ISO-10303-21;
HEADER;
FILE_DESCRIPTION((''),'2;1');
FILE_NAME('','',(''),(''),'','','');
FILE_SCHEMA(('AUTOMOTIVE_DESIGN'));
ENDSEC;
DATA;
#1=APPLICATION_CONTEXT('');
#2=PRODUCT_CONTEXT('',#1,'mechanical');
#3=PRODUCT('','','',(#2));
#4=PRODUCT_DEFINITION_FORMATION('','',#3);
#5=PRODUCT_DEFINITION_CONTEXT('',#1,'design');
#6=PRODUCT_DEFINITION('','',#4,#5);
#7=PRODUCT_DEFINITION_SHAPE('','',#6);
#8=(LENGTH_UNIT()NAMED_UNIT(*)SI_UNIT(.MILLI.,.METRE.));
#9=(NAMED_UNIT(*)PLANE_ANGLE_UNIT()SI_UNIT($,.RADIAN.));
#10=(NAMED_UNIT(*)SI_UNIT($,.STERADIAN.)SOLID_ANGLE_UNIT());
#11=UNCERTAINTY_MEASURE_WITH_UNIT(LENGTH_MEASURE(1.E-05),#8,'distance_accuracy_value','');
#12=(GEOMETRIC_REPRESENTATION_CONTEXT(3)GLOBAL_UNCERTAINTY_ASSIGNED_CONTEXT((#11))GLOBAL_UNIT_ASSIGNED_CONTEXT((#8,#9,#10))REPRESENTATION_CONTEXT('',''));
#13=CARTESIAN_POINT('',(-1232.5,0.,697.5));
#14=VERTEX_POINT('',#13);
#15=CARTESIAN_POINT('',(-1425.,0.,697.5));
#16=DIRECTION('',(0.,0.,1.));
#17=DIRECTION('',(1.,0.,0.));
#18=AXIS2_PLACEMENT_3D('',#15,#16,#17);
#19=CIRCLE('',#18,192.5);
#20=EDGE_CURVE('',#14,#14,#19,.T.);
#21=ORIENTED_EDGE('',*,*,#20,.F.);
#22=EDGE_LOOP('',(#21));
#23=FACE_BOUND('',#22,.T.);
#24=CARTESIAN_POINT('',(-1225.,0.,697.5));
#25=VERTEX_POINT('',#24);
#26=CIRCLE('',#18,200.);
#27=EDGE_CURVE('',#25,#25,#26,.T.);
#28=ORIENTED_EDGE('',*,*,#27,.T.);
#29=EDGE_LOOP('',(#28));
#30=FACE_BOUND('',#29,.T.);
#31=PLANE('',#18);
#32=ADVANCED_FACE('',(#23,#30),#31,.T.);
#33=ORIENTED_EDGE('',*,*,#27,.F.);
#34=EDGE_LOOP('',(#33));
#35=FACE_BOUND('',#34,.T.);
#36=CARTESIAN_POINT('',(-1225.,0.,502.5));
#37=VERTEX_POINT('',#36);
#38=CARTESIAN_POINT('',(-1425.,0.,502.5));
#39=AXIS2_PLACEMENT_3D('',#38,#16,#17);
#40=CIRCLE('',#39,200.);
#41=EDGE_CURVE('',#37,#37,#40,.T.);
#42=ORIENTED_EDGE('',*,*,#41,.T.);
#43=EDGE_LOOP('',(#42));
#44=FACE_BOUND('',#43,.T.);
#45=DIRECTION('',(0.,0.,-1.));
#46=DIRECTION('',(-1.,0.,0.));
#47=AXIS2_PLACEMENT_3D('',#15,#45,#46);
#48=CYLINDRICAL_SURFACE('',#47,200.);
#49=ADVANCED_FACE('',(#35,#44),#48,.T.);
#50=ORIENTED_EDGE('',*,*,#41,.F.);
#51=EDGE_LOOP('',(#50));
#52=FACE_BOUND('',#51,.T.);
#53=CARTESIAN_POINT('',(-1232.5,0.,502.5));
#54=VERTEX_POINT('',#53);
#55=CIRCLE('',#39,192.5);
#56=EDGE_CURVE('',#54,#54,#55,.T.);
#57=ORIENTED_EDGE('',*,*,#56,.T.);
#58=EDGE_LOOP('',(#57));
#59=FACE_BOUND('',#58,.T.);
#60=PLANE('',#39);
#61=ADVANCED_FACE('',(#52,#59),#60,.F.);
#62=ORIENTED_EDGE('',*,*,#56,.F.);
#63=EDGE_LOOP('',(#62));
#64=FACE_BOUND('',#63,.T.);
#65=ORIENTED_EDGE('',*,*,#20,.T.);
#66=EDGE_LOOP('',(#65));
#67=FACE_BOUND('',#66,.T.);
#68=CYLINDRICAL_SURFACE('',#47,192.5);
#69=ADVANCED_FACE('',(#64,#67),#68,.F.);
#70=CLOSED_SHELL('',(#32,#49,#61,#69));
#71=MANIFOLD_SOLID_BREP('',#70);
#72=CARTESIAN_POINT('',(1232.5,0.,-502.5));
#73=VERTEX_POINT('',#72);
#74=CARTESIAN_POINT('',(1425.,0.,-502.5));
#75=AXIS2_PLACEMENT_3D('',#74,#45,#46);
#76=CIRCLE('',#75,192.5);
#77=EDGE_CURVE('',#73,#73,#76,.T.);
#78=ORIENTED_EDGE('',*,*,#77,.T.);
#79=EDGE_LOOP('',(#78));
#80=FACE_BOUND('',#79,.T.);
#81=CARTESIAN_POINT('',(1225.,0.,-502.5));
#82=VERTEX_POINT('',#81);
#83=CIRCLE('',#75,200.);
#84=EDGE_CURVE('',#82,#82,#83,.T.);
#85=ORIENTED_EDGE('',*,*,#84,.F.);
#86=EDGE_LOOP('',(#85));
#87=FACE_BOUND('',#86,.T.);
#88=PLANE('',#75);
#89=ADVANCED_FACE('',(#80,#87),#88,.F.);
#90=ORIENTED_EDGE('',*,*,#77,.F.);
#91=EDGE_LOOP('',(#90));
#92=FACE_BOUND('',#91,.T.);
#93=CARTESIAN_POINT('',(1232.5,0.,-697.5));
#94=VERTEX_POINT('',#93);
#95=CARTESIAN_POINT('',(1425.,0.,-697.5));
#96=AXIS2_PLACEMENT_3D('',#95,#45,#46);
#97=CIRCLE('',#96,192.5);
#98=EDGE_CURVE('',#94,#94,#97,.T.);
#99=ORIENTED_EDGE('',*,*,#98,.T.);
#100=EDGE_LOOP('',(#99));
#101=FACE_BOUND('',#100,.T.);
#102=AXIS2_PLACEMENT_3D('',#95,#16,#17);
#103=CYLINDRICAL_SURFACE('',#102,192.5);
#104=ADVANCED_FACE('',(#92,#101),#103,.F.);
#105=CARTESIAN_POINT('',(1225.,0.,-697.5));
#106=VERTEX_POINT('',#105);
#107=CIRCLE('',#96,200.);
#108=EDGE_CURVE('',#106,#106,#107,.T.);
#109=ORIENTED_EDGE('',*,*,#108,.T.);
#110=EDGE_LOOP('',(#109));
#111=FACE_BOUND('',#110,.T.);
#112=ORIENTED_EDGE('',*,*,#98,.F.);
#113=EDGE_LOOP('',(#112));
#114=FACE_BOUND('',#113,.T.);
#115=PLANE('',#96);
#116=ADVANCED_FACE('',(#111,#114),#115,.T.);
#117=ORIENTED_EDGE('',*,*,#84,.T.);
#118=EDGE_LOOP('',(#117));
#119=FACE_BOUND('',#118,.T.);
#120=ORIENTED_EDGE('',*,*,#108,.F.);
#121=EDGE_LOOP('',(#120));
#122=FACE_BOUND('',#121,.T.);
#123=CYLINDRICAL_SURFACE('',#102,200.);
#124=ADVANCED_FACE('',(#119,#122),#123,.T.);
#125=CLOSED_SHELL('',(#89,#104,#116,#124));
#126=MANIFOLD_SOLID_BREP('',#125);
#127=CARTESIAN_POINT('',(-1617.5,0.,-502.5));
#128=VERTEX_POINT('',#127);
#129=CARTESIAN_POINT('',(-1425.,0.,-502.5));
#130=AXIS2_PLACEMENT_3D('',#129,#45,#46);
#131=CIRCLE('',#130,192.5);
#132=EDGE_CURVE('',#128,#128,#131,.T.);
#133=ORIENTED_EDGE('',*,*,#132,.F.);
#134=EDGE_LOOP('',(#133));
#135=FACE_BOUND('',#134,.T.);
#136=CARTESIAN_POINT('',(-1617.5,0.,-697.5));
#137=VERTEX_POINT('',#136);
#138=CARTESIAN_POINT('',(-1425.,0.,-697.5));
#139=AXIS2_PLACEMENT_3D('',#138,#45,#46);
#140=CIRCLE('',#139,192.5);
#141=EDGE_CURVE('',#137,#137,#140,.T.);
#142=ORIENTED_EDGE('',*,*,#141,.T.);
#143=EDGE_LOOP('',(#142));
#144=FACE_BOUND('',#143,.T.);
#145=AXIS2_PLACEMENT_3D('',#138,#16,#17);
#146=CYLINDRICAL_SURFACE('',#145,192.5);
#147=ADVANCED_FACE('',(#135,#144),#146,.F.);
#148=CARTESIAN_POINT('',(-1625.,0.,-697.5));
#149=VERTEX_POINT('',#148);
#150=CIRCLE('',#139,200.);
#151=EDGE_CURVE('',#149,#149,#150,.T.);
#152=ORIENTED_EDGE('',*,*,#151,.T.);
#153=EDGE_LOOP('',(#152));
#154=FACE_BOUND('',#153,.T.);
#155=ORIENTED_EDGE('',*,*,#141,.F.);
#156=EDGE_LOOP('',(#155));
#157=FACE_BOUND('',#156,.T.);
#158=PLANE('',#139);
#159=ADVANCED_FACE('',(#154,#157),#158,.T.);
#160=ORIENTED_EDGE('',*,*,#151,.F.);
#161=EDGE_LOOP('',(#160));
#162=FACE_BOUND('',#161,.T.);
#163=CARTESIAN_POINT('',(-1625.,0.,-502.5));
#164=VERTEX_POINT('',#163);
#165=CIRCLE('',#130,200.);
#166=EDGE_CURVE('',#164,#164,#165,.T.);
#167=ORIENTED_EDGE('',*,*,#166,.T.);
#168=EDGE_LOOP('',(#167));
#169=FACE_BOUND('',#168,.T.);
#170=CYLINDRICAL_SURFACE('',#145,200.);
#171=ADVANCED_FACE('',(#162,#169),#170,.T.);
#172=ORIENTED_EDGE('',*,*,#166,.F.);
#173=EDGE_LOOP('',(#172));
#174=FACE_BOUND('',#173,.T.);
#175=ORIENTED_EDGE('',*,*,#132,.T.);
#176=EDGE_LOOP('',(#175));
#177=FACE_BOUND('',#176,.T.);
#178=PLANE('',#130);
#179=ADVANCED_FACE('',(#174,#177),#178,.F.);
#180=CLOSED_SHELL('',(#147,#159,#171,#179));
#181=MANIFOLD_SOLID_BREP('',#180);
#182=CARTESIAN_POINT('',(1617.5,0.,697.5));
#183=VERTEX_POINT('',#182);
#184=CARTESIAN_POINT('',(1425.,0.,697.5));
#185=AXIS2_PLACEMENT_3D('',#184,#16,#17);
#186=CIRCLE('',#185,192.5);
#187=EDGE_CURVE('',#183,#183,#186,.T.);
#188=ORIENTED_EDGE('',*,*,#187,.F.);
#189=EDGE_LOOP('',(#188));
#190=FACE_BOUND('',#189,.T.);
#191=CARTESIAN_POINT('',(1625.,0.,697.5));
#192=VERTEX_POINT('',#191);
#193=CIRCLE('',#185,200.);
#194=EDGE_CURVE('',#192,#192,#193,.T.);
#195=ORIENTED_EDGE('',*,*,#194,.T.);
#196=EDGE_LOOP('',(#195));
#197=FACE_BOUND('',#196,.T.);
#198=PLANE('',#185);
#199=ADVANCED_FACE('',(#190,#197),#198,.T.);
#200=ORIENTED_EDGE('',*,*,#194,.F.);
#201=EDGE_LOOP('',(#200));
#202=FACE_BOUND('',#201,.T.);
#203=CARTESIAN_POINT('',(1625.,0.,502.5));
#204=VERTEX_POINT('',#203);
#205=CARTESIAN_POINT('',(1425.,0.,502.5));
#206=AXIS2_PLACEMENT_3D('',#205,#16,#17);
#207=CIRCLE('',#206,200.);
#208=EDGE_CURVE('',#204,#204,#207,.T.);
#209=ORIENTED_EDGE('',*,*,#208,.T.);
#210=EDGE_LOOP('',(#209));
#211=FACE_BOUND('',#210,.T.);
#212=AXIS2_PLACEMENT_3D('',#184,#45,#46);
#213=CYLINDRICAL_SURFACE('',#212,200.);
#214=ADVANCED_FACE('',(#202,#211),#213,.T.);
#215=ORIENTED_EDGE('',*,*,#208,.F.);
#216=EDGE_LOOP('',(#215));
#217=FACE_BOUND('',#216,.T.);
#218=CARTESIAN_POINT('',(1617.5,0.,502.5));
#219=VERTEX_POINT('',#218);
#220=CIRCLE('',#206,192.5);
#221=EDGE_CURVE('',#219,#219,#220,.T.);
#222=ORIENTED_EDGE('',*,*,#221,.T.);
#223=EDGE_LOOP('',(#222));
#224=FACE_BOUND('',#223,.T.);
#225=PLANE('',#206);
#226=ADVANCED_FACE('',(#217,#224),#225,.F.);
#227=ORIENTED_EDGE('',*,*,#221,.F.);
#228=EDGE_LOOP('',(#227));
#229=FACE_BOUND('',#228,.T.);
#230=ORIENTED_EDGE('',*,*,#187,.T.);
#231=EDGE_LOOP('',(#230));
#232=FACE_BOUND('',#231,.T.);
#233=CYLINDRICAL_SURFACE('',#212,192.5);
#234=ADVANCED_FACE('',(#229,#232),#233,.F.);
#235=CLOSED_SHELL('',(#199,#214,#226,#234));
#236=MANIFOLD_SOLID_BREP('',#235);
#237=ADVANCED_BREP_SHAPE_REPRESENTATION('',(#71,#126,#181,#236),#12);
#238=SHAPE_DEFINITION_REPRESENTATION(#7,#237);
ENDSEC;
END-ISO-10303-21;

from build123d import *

# Parameters (mm, degrees)
SKETCH3_R             = 200
SKETCH3_R_2           = 192.5
BOSS_EXTRUDE1_DEPTH   = 97.5
BOSS_EXTRUDE1_2_DEPTH = 97.5
SKETCH5_R             = 200
SKETCH5_R_2           = 192.5
BOSS_EXTRUDE2_DEPTH   = 97.5
BOSS_EXTRUDE2_2_DEPTH = 97.5


with BuildPart() as part:
    # Sketch3 → Boss-Extrude1 (new body, symmetric)
    with BuildSketch(Plane.XY.offset(600)):
        with Locations((-1425, 0)):
            Circle(SKETCH3_R)
        with Locations((-1425, 0)):
            Circle(SKETCH3_R_2, mode=Mode.SUBTRACT)
    extrude(amount=BOSS_EXTRUDE1_DEPTH, both=True)


with BuildPart() as body_2:
    # Sketch3 → Boss-Extrude1 2 (new body, symmetric)
    with BuildSketch(Plane.XY.offset(600)):
        with Locations((1425, 0)):
            Circle(SKETCH3_R)
        with Locations((1425, 0)):
            Circle(SKETCH3_R_2, mode=Mode.SUBTRACT)
    extrude(amount=BOSS_EXTRUDE1_2_DEPTH, both=True)


with BuildPart() as body_3:
    # Sketch5 → Boss-Extrude2 (new body, symmetric)
    with BuildSketch(Plane(origin=(0, 0, -600), x_dir=(-1, 0, 0), z_dir=(0, 0, -1))):
        with Locations((-1425, 0)):
            Circle(SKETCH5_R)
        with Locations((-1425, 0)):
            Circle(SKETCH5_R_2, mode=Mode.SUBTRACT)
    extrude(amount=BOSS_EXTRUDE2_DEPTH, both=True)


with BuildPart() as body_4:
    # Sketch5 → Boss-Extrude2 2 (new body, symmetric)
    with BuildSketch(Plane(origin=(0, 0, -600), x_dir=(-1, 0, 0), z_dir=(0, 0, -1))):
        with Locations((1425, 0)):
            Circle(SKETCH5_R)
        with Locations((1425, 0)):
            Circle(SKETCH5_R_2, mode=Mode.SUBTRACT)
    extrude(amount=BOSS_EXTRUDE2_2_DEPTH, both=True)


solid = Compound([part.part, body_2.part, body_3.part, body_4.part])
